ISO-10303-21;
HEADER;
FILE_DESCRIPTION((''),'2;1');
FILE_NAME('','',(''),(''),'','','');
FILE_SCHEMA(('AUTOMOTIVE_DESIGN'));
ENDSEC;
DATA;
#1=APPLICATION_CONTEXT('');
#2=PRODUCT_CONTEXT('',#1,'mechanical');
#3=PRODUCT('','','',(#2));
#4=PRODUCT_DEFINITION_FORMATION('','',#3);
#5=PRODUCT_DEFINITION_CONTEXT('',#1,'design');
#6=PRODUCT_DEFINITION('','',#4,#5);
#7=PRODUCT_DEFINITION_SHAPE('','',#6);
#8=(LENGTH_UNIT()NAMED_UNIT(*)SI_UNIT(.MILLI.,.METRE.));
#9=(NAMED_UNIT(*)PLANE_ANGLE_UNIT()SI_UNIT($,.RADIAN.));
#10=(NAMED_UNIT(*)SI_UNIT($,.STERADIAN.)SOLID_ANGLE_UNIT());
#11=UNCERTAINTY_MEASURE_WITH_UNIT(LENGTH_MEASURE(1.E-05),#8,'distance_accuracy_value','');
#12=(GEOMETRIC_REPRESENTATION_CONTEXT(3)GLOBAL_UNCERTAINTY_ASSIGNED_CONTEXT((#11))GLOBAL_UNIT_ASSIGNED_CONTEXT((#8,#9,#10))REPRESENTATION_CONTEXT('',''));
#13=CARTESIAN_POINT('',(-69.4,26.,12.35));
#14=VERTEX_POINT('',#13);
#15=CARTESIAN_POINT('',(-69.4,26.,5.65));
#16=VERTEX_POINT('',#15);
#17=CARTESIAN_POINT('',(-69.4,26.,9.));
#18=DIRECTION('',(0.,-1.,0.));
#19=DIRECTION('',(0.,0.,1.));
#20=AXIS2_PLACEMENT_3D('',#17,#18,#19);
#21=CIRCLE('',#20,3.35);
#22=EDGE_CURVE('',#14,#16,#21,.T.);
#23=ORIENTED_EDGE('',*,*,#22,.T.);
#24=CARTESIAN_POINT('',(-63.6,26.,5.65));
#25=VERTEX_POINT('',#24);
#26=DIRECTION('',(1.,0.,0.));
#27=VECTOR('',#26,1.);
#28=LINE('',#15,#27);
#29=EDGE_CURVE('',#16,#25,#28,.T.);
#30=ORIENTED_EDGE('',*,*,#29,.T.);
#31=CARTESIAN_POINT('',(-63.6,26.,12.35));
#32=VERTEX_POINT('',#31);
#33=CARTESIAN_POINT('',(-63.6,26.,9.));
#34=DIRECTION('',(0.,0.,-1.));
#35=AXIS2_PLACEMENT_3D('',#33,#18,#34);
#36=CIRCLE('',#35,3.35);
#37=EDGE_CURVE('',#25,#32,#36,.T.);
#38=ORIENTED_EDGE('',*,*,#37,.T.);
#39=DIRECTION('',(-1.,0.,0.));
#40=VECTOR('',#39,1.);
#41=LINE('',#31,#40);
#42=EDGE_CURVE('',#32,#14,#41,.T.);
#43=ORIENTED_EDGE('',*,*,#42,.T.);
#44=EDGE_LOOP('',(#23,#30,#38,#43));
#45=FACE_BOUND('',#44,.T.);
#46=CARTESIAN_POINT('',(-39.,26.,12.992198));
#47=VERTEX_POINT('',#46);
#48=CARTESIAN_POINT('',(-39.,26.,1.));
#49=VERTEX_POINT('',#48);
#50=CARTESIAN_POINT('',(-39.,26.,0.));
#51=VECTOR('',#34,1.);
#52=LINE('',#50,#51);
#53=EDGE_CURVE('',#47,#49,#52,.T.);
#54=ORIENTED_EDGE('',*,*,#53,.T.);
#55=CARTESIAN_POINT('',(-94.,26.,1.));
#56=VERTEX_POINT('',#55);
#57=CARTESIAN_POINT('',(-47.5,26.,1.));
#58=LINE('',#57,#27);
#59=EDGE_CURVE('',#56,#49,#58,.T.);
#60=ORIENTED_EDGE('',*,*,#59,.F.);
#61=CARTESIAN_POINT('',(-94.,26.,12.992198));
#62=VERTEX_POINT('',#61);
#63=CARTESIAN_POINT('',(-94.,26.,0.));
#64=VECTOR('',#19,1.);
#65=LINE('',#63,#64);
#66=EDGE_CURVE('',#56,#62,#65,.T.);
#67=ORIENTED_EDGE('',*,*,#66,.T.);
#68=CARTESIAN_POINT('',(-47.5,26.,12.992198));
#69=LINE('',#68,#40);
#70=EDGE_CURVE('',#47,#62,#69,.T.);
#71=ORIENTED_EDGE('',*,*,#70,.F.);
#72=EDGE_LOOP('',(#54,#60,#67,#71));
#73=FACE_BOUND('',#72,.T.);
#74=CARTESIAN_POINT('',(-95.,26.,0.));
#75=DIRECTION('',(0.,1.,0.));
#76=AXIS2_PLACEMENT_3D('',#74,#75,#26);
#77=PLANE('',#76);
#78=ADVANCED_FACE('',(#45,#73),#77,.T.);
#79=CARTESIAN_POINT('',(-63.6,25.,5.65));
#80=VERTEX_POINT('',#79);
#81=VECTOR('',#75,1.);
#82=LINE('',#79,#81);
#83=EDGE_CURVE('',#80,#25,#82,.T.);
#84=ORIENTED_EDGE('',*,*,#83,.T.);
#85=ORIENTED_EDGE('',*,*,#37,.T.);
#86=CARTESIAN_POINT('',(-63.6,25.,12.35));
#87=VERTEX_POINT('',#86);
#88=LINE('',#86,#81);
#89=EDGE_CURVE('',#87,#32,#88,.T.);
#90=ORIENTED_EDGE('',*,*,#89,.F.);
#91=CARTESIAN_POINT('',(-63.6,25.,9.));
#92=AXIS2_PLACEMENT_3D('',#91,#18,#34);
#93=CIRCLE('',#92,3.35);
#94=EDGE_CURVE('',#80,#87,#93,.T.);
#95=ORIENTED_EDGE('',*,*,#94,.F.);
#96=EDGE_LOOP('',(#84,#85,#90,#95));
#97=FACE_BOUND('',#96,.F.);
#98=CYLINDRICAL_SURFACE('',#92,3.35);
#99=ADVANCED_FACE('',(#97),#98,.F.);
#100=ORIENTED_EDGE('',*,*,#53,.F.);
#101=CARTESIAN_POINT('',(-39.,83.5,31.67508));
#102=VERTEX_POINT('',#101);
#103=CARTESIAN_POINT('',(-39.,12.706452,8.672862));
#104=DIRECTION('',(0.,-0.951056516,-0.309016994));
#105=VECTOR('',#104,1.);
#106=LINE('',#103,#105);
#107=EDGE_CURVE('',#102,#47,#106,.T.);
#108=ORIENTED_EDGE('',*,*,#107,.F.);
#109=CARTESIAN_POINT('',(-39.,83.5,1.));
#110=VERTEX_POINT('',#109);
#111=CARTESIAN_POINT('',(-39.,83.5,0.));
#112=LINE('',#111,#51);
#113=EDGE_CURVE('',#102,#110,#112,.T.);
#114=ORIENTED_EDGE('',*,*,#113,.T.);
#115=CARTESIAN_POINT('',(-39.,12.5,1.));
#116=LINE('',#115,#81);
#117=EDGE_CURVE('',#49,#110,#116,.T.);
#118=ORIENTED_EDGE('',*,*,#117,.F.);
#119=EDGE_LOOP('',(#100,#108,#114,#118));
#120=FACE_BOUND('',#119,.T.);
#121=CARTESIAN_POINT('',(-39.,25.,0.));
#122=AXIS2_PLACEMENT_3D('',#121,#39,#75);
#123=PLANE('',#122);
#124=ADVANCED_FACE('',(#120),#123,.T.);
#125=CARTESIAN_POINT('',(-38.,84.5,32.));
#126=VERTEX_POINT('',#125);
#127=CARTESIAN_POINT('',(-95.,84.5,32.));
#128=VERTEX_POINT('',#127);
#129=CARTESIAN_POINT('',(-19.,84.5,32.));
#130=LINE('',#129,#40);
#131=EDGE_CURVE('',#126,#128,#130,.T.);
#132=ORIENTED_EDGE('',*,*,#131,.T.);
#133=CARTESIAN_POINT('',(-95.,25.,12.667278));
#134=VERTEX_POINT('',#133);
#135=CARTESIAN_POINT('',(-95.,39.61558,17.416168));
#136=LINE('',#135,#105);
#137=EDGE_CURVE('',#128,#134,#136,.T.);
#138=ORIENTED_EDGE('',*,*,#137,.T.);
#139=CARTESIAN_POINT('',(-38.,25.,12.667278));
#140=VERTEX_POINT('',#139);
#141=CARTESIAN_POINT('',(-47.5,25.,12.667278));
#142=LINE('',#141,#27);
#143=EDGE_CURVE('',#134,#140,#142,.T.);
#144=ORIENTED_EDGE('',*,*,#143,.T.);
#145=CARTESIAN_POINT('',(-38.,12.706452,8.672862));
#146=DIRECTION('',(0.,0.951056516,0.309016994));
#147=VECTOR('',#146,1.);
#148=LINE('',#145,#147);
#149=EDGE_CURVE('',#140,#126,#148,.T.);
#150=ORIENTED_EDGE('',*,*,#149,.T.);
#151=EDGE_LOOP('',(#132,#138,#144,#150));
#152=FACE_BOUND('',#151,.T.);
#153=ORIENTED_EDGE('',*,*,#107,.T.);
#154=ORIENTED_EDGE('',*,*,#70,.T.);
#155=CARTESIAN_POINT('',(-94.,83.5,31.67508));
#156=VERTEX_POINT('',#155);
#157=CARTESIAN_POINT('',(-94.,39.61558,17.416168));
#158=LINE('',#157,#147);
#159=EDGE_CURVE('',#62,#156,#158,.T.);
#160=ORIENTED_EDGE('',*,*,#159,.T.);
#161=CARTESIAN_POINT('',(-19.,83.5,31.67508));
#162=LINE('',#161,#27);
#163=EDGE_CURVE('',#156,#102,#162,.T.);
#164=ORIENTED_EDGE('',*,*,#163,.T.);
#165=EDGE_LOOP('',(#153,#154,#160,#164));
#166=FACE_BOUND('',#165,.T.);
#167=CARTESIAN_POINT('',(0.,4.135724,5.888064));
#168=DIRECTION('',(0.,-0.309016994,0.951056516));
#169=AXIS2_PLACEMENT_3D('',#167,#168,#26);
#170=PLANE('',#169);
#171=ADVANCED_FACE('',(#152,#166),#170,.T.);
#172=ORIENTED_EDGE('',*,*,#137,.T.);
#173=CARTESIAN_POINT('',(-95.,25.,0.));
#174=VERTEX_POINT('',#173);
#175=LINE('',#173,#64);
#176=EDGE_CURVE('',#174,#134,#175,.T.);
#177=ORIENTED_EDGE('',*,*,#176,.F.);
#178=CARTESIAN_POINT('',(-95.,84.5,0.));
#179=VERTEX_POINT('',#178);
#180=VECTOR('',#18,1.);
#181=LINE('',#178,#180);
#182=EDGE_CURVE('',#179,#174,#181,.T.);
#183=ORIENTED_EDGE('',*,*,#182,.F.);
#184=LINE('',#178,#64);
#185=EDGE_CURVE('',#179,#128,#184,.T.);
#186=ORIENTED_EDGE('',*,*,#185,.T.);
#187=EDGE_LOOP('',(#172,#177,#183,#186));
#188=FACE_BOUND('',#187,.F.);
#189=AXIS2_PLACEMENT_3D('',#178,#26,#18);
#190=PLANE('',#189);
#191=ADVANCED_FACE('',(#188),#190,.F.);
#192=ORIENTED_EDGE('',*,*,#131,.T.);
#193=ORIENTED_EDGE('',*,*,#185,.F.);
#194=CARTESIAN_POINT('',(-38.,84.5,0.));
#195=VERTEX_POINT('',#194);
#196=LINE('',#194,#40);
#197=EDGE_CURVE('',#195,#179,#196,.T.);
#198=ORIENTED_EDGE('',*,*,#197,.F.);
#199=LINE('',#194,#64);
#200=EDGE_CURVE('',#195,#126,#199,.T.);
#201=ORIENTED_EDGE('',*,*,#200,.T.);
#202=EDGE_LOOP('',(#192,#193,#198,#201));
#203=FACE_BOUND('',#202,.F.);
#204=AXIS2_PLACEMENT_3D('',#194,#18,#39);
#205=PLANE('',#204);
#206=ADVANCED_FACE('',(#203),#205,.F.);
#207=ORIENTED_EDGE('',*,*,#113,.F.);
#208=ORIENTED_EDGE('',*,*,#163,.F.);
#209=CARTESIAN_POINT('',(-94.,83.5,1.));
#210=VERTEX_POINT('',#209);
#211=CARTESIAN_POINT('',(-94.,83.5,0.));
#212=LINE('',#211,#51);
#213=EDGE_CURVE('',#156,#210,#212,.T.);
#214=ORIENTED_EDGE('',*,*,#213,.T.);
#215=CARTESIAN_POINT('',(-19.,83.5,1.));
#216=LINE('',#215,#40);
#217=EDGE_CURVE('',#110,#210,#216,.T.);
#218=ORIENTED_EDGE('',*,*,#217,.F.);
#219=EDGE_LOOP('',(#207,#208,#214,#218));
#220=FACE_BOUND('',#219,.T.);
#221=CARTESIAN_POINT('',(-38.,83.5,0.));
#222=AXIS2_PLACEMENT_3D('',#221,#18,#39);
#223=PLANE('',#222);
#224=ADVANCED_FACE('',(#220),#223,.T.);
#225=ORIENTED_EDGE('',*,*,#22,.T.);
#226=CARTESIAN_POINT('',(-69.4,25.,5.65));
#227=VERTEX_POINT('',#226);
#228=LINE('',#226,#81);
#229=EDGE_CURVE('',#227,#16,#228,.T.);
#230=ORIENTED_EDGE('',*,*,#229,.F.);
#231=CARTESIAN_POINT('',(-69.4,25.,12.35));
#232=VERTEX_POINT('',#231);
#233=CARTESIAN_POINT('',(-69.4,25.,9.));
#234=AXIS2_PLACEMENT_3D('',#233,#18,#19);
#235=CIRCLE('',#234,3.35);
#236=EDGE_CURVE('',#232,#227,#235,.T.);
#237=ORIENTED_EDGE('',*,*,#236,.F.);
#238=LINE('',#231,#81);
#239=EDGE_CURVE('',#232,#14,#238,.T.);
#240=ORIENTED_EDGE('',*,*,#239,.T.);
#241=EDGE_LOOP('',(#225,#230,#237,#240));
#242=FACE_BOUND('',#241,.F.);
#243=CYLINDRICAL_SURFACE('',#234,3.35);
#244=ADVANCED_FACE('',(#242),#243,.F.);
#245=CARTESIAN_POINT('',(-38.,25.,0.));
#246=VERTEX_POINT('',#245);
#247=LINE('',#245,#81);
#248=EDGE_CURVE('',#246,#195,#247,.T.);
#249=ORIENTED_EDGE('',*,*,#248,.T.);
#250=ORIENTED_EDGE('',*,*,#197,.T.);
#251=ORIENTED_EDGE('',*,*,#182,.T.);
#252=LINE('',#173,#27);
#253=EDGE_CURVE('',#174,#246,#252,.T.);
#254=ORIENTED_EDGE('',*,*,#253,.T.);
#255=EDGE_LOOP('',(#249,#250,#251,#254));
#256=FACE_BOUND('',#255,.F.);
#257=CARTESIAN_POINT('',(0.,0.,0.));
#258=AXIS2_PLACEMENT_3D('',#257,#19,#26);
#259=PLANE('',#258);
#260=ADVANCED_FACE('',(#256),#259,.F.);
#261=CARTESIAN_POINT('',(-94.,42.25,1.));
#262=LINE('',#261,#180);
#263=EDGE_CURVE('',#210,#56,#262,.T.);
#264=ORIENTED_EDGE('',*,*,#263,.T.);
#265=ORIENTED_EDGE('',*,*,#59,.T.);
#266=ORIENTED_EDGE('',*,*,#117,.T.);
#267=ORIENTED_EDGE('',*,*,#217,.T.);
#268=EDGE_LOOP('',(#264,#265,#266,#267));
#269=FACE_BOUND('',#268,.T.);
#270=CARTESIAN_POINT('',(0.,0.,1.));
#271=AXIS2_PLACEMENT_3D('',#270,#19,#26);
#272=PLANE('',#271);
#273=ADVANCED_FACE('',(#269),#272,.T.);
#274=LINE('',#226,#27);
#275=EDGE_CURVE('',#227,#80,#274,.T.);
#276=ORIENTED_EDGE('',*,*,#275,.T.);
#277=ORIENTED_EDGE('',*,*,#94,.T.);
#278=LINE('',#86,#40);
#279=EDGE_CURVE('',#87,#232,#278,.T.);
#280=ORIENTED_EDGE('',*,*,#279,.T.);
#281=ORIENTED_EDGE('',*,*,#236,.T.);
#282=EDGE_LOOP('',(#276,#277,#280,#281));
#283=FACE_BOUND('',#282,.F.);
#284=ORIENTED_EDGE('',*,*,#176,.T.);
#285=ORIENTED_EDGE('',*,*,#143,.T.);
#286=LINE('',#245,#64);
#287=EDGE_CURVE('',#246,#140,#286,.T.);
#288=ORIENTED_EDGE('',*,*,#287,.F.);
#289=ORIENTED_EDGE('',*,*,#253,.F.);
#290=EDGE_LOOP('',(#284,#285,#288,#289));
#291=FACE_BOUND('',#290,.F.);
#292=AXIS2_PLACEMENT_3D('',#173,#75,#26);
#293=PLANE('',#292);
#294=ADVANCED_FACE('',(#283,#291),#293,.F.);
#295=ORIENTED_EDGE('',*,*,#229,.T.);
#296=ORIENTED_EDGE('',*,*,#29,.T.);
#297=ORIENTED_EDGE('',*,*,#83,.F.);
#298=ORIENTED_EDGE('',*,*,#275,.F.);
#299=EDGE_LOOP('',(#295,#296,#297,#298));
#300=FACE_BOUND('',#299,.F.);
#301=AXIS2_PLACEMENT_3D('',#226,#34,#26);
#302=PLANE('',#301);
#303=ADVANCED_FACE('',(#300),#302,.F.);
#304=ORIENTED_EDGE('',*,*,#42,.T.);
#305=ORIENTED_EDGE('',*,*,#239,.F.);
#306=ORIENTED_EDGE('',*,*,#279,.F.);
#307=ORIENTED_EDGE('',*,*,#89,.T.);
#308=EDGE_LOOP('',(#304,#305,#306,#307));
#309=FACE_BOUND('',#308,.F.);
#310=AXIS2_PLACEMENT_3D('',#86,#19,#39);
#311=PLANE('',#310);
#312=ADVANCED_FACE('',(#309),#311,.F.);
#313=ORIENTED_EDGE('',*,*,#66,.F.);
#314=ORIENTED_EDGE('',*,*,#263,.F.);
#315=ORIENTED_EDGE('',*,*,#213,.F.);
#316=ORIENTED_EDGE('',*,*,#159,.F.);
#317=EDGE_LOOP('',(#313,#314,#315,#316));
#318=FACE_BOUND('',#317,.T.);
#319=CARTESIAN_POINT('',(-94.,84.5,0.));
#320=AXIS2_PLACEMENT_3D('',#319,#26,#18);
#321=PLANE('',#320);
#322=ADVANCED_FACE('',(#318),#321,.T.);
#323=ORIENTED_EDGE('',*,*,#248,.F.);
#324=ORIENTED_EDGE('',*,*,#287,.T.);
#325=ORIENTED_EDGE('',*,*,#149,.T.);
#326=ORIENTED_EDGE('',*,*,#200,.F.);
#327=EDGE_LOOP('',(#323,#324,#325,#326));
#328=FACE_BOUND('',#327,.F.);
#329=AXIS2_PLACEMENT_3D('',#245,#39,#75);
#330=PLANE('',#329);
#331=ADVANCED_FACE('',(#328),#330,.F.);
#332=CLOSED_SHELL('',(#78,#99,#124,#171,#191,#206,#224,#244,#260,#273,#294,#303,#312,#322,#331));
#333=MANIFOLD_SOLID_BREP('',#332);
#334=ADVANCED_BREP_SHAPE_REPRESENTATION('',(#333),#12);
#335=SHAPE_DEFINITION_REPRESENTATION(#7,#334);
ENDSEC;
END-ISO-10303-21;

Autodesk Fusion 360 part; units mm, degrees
sketch "Sketch1" plane through (0, 0, 0) normal (0, 0, 1) x (1, 0, 0)
  line L0 (-95, 25) -> (-38, 25)
  line L1 (-38, 25) -> (-38, 84.5)
  line L2 (-38, 84.5) -> (-95, 84.5)
  line L3 (-95, 84.5) -> (-95, 25)
  dimension "d1" = 57
  dimension "d2" = 59.5
extrude "Extrude1" add sketch "Sketch1" along normal blind 32
shell "Shell1" thickness 1 removed faces 1 at (-76, 64.6667, 32)
draft "Draft1" angle -18 neutral plane through (-38, 84.5, 0) pull (0, 1, 0) 1 faces at (-94.6667, 64.3333, 32)
sketch "Sketch4" plane through (0, 25, 0) normal (0, -1, 0) x (1, 0, 0)
  line L0 (-95, 0) -> (-38, 0)
  line L1 (-38, 0) -> (-38, 12.6673)
  line L2 (-38, 12.6673) -> (-95, 12.6673)
  line L3 (-95, 12.6673) -> (-95, 0)
  line L4 (-63.6, 12.35) -> (-69.4, 12.35)
  arc A0 (-69.4, 12.35) -> (-69.4, 5.65) centre (-69.4, 9) ccw
  line L5 (-69.4, 5.65) -> (-63.6, 5.65)
  arc A1 (-63.6, 5.65) -> (-63.6, 12.35) centre (-63.6, 9) ccw
  line L6 (-60.25, 9) -> (-72.75, 9) construction
  dimension "d15" = 12.5
  dimension "d16" = 6.7
extrude "Extrude4" cut sketch "Sketch4" against normal blind 1 contours L4 A0 L5 A1
